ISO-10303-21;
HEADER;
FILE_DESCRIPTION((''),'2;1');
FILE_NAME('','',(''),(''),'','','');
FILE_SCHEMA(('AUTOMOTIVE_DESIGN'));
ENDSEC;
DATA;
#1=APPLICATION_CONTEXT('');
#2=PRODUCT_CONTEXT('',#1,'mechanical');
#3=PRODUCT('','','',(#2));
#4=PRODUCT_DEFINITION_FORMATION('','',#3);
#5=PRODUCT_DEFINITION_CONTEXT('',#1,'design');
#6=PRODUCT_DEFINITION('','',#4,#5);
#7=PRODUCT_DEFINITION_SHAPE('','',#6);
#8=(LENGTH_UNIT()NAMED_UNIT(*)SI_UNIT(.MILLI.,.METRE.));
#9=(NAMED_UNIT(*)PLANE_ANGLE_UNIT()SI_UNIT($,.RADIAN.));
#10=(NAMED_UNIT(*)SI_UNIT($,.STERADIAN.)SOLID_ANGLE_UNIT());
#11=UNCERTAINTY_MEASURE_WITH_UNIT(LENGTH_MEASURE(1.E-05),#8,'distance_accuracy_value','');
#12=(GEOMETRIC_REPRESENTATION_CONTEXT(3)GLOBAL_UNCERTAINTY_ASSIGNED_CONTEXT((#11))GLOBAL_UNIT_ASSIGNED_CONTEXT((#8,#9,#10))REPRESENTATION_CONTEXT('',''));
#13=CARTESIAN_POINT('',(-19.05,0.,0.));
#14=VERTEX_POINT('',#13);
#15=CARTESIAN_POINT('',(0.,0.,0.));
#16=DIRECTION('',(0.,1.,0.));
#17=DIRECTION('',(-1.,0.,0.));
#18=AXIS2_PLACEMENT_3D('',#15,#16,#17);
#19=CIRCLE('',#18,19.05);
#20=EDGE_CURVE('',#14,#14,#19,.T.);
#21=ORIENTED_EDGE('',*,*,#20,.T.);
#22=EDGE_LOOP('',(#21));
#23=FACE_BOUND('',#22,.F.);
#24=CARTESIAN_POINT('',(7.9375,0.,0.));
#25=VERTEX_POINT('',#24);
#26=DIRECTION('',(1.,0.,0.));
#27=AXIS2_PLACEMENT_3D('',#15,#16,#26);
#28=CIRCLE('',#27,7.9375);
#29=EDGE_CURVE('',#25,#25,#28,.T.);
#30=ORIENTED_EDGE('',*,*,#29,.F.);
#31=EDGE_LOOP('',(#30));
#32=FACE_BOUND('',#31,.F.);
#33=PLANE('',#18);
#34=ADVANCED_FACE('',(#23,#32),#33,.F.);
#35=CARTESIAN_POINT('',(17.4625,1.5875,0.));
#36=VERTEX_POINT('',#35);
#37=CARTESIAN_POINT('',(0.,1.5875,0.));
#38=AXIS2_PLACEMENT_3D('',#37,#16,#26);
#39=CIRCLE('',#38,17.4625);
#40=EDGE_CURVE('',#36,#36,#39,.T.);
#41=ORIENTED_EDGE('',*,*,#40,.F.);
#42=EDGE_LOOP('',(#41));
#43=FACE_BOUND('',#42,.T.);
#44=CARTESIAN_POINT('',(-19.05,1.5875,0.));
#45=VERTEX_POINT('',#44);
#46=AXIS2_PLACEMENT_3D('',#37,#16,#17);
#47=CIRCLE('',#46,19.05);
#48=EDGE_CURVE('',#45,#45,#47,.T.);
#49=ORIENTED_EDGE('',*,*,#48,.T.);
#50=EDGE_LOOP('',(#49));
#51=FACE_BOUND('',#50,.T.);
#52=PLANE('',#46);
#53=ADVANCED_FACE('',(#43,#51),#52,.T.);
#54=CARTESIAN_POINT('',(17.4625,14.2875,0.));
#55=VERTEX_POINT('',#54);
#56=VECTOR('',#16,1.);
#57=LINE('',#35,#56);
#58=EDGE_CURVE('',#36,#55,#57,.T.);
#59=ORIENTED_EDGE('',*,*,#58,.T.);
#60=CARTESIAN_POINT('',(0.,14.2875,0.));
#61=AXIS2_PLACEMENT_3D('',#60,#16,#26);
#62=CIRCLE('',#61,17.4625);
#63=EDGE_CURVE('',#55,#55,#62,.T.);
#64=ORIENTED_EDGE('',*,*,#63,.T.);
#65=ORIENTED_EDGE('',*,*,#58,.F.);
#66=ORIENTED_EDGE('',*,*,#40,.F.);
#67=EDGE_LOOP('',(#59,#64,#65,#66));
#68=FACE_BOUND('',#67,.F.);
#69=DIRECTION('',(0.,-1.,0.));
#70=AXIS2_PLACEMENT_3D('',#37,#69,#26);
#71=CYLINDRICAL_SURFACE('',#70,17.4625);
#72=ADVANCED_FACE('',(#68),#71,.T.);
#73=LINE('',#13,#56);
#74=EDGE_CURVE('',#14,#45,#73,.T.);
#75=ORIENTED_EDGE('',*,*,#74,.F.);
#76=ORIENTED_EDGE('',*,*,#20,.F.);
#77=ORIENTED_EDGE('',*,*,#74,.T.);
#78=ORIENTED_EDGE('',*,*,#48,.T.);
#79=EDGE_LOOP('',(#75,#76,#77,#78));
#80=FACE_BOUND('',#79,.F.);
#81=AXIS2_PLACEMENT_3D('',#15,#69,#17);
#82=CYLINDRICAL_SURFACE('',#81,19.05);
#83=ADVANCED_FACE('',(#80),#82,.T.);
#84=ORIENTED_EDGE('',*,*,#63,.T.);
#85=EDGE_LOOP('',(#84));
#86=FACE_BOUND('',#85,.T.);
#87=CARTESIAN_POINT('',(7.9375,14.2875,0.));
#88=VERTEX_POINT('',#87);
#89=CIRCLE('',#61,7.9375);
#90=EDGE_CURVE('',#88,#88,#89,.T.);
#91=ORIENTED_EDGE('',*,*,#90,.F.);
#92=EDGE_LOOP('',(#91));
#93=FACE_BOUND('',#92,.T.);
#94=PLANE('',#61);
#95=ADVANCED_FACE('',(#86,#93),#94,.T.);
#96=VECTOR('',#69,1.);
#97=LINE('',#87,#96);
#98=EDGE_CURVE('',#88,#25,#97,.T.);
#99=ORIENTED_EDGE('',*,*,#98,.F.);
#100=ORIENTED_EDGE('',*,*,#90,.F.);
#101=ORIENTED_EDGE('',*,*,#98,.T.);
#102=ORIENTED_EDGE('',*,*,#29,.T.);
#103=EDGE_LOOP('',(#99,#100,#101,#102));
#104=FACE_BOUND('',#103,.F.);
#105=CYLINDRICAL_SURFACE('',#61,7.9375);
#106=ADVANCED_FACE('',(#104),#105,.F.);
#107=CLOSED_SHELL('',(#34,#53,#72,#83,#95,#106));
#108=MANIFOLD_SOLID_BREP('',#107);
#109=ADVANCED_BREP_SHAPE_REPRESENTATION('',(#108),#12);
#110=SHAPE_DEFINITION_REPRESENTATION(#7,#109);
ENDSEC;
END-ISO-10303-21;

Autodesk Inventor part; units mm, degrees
ref_plane "YZ Plane" through (0, 0, 0) normal (1, 0, 0) x (0, 1, 0)
ref_plane "XZ Plane" through (0, 0, 0) normal (0, 1, 0) x (-1, 0, 0)
ref_plane "XY Plane" through (0, 0, 0) normal (0, 0, 1) x (1, 0, 0)
sketch "Sketch1" plane through (0, 0, 0) normal (0, 1, 0) x (-1, 0, 0)
  circle A0 centre (0, 0) radius 19.05
  dimension "d0" = 38.1
extrude "Extrusion1" add sketch "Sketch1" along normal blind 1.5875
sketch "Sketch2" plane through (0, 1.5875, 0) normal (0, 1, 0) x (1, 0, 0)
  circle A0 centre (0, 0) radius 19.05 projected
  circle A1 centre (0, 0) radius 17.4625
  dimension "d3" = 34.925
extrude "Extrusion2" add sketch "Sketch2" along normal blind 12.7 contours A1
sketch "Sketch3" plane through (0, 14.2875, 0) normal (0, 1, 0) x (1, 0, 0)
  circle A0 centre (0, 0) radius 17.4625 projected
  circle A1 centre (0, 0) radius 7.9375
  dimension "d6" = 15.875
extrude "Extrusion3" cut sketch "Sketch3" against normal blind 2540 contours A1
properties part number "New Bearing"
